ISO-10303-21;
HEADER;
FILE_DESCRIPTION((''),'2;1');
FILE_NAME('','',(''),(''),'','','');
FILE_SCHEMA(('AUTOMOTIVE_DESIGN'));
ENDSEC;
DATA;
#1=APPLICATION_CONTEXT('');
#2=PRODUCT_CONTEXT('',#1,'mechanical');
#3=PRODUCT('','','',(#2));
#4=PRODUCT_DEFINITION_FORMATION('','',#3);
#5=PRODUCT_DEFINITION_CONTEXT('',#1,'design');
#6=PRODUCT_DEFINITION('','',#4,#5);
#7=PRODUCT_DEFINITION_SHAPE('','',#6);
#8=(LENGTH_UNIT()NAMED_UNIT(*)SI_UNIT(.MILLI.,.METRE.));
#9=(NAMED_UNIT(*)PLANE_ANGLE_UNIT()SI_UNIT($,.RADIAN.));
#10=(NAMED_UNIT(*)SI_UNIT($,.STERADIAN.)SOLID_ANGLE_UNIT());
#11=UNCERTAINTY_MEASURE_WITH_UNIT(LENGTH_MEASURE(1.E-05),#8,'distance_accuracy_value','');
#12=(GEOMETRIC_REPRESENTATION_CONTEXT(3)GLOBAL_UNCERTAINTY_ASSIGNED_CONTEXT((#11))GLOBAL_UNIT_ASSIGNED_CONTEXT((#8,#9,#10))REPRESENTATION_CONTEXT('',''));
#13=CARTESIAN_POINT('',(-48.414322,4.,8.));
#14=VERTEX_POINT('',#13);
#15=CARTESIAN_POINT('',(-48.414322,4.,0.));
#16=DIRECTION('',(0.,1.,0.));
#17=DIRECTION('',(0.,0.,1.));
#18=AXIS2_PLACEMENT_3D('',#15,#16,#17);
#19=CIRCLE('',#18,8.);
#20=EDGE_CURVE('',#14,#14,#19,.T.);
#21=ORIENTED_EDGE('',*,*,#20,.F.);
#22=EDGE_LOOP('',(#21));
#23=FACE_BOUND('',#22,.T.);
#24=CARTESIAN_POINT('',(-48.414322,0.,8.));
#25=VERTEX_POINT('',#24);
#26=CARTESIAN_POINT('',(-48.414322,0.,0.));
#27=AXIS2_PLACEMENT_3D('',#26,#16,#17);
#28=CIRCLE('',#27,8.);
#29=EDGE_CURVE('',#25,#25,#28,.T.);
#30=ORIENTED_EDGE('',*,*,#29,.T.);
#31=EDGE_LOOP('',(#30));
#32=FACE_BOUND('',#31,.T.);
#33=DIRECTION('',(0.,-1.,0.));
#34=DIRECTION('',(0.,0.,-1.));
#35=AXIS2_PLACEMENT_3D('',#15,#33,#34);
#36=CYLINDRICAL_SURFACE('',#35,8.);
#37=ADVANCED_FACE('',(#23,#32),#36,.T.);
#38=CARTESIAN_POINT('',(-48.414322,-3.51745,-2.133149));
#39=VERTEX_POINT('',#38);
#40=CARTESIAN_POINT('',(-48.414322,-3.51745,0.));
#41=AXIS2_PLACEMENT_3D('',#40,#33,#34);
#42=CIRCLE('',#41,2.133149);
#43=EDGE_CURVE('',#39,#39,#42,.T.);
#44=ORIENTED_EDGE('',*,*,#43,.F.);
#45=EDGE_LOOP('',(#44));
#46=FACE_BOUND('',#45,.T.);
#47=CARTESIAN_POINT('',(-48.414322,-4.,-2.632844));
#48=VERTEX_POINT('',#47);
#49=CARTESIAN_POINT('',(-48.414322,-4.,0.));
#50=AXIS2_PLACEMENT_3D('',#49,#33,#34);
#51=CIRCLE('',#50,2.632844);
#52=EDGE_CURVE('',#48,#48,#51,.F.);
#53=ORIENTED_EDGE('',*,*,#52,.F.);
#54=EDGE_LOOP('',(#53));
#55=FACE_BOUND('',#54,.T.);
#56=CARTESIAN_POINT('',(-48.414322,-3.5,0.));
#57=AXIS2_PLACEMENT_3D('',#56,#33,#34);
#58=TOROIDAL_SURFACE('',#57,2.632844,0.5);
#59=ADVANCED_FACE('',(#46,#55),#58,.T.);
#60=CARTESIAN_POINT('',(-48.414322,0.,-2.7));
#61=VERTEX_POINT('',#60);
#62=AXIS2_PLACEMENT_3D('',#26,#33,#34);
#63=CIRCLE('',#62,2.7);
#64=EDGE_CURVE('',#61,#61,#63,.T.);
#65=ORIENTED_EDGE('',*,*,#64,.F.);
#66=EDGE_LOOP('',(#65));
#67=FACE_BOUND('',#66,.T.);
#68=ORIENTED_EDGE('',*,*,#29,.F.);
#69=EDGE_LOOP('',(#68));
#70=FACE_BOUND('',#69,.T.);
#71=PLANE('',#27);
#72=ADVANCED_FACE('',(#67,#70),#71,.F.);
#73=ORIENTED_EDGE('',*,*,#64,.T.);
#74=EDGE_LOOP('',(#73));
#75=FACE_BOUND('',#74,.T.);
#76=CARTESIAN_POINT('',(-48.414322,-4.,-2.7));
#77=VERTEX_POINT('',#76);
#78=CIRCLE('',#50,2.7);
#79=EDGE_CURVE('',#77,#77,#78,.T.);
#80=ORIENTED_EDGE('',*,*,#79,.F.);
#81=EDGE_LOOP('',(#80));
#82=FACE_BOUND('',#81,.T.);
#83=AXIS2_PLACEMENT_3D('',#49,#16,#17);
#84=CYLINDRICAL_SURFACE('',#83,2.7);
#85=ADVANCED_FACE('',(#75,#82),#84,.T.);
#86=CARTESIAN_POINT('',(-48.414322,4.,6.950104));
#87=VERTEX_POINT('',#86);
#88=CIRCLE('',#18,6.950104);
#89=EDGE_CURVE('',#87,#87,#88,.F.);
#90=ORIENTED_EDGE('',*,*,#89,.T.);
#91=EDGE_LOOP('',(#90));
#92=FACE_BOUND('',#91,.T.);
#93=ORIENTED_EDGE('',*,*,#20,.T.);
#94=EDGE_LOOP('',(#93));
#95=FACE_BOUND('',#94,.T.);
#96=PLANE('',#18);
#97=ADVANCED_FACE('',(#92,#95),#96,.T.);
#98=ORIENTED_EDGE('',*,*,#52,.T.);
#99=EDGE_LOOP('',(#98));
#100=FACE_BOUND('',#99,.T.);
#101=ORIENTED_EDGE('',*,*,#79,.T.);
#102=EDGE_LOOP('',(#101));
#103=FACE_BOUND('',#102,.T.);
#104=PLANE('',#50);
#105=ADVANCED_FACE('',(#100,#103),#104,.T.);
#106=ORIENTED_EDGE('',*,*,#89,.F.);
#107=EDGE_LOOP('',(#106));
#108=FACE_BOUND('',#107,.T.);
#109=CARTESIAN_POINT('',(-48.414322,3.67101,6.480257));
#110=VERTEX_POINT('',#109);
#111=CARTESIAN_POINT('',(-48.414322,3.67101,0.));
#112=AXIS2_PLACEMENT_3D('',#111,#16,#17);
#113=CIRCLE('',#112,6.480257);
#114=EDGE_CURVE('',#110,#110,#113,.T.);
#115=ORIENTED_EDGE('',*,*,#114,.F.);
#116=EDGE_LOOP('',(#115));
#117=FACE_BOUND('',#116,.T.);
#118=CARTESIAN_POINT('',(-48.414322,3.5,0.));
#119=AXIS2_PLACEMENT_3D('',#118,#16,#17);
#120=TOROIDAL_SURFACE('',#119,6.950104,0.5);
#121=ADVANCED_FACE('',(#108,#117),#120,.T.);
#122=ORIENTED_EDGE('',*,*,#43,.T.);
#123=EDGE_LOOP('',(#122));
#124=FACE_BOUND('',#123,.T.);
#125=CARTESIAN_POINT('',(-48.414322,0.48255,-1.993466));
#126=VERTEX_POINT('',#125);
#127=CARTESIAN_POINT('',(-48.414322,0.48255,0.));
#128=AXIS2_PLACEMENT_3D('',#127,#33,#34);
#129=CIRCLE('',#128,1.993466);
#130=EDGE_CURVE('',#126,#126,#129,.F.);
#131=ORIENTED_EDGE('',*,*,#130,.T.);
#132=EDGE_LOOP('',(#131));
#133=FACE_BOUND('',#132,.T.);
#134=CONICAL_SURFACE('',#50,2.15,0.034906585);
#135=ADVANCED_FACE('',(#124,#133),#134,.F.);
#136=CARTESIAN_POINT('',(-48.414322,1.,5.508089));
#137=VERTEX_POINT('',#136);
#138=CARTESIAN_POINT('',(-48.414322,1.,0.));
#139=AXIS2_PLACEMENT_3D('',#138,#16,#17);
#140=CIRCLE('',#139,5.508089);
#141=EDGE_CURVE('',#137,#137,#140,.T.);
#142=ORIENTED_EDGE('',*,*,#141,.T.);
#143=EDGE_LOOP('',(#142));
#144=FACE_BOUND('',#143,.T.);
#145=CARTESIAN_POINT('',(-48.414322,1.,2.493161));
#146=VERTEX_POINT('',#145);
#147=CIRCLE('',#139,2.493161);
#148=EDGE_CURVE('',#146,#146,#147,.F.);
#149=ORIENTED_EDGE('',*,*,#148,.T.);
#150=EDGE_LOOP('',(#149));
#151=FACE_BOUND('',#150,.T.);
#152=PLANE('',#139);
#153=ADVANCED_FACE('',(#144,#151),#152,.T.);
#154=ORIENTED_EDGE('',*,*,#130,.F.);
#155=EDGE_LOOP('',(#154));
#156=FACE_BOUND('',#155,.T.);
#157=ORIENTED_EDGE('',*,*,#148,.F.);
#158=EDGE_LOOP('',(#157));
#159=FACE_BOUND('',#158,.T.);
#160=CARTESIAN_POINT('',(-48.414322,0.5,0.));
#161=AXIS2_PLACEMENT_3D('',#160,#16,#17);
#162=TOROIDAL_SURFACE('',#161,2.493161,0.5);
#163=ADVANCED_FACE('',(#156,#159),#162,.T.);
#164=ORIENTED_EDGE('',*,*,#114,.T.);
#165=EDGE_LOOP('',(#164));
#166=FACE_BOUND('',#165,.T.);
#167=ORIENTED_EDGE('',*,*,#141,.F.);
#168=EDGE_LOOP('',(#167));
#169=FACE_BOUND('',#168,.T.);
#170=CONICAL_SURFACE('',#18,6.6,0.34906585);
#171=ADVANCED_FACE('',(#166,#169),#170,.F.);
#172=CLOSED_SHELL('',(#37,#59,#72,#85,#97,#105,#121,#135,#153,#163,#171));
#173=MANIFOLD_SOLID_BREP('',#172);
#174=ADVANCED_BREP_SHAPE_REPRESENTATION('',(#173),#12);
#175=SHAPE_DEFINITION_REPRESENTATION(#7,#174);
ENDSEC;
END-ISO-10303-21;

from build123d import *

# Parameters (mm, degrees)
SKETCH1_R           = 8
BOSS_EXTRUDE3_DEPTH = 4
SKETCH5_R           = 6.6
CUT_EXTRUDE2_DEPTH  = 3
CUT_EXTRUDE2_DRAFT  = -20
SKETCH6_R           = 2.7
BOSS_EXTRUDE4_DEPTH = 4
SKETCH7_R           = 2.15
CUT_EXTRUDE3_DEPTH  = 6
CUT_EXTRUDE3_DRAFT  = -2
FILLET1_R           = 0.5


with BuildPart() as part:
    # Sketch1 → Boss-Extrude3 (new body)
    with BuildSketch(Plane(origin=(0, 0, 0), x_dir=(1, 0, 0), z_dir=(0, 1, 0))):
        with Locations(Location((-48.414322475, 0, 0), (0, 0, 270))):
            Circle(SKETCH1_R)
    extrude(amount=BOSS_EXTRUDE3_DEPTH)


with BuildPart() as cut_extrude2_tool:
    # Sketch5 → Cut-Extrude2 (with draft: the straight prism first)
    with BuildSketch(Plane(origin=(0, 4, 0), x_dir=(1, 0, 0), z_dir=(0, 1, 0))):
        with Locations((-48.414322475, 0)):
            Circle(SKETCH5_R)
    extrude(amount=-CUT_EXTRUDE2_DEPTH)
    # Cut-Extrude2: the draft: its side faces are tilted about the plane it starts from
    cut_extrude2_sides = [cut_extrude2_tool.faces().sort_by_distance(p)[0] for p in [
        (-55.014322475, 2.5, 0),
    ]]
    draft(cut_extrude2_sides, Plane(origin=(0, 4, 0), x_dir=(1, 0, 0), z_dir=(0, 1, 0)), CUT_EXTRUDE2_DRAFT)


with BuildPart() as part_1:
    add(part.part)

    # Cut-Extrude2: cut by cut_extrude2_tool
    add(cut_extrude2_tool.part, mode=Mode.SUBTRACT)

    # Sketch6 → Boss-Extrude4 (add)
    with BuildSketch(Plane.XZ):
        with Locations(Location((-48.414322475, 0, 0), (0, 0, 270))):
            Circle(SKETCH6_R)
    extrude(amount=BOSS_EXTRUDE4_DEPTH)


with BuildPart() as cut_extrude3_tool:
    # Sketch7 → Cut-Extrude3 (with draft: the straight prism first)
    with BuildSketch(Plane.XZ.offset(4)):
        with Locations((-48.414322475, 0)):
            Circle(SKETCH7_R)
    extrude(amount=-CUT_EXTRUDE3_DEPTH)
    # Cut-Extrude3: the draft: its side faces are tilted about the plane it starts from
    cut_extrude3_sides = [cut_extrude3_tool.faces().sort_by_distance(p)[0] for p in [
        (-50.564322475, -1, 0),
    ]]
    draft(cut_extrude3_sides, Plane.XZ.offset(4), CUT_EXTRUDE3_DRAFT)


with BuildPart() as part_2:
    add(part_1.part)

    # Cut-Extrude3: cut by cut_extrude3_tool
    add(cut_extrude3_tool.part, mode=Mode.SUBTRACT)

    # Fillet1
    fillet1_edges = [part_2.edges().sort_by_distance(p)[0] for p in [
        (-50.389718627, 1, 0),
        (-50.564322475, -4, 0),
        (-55.014322475, 4, 0),
    ]]
    fillet(fillet1_edges, radius=FILLET1_R)


solid = part_2.part
